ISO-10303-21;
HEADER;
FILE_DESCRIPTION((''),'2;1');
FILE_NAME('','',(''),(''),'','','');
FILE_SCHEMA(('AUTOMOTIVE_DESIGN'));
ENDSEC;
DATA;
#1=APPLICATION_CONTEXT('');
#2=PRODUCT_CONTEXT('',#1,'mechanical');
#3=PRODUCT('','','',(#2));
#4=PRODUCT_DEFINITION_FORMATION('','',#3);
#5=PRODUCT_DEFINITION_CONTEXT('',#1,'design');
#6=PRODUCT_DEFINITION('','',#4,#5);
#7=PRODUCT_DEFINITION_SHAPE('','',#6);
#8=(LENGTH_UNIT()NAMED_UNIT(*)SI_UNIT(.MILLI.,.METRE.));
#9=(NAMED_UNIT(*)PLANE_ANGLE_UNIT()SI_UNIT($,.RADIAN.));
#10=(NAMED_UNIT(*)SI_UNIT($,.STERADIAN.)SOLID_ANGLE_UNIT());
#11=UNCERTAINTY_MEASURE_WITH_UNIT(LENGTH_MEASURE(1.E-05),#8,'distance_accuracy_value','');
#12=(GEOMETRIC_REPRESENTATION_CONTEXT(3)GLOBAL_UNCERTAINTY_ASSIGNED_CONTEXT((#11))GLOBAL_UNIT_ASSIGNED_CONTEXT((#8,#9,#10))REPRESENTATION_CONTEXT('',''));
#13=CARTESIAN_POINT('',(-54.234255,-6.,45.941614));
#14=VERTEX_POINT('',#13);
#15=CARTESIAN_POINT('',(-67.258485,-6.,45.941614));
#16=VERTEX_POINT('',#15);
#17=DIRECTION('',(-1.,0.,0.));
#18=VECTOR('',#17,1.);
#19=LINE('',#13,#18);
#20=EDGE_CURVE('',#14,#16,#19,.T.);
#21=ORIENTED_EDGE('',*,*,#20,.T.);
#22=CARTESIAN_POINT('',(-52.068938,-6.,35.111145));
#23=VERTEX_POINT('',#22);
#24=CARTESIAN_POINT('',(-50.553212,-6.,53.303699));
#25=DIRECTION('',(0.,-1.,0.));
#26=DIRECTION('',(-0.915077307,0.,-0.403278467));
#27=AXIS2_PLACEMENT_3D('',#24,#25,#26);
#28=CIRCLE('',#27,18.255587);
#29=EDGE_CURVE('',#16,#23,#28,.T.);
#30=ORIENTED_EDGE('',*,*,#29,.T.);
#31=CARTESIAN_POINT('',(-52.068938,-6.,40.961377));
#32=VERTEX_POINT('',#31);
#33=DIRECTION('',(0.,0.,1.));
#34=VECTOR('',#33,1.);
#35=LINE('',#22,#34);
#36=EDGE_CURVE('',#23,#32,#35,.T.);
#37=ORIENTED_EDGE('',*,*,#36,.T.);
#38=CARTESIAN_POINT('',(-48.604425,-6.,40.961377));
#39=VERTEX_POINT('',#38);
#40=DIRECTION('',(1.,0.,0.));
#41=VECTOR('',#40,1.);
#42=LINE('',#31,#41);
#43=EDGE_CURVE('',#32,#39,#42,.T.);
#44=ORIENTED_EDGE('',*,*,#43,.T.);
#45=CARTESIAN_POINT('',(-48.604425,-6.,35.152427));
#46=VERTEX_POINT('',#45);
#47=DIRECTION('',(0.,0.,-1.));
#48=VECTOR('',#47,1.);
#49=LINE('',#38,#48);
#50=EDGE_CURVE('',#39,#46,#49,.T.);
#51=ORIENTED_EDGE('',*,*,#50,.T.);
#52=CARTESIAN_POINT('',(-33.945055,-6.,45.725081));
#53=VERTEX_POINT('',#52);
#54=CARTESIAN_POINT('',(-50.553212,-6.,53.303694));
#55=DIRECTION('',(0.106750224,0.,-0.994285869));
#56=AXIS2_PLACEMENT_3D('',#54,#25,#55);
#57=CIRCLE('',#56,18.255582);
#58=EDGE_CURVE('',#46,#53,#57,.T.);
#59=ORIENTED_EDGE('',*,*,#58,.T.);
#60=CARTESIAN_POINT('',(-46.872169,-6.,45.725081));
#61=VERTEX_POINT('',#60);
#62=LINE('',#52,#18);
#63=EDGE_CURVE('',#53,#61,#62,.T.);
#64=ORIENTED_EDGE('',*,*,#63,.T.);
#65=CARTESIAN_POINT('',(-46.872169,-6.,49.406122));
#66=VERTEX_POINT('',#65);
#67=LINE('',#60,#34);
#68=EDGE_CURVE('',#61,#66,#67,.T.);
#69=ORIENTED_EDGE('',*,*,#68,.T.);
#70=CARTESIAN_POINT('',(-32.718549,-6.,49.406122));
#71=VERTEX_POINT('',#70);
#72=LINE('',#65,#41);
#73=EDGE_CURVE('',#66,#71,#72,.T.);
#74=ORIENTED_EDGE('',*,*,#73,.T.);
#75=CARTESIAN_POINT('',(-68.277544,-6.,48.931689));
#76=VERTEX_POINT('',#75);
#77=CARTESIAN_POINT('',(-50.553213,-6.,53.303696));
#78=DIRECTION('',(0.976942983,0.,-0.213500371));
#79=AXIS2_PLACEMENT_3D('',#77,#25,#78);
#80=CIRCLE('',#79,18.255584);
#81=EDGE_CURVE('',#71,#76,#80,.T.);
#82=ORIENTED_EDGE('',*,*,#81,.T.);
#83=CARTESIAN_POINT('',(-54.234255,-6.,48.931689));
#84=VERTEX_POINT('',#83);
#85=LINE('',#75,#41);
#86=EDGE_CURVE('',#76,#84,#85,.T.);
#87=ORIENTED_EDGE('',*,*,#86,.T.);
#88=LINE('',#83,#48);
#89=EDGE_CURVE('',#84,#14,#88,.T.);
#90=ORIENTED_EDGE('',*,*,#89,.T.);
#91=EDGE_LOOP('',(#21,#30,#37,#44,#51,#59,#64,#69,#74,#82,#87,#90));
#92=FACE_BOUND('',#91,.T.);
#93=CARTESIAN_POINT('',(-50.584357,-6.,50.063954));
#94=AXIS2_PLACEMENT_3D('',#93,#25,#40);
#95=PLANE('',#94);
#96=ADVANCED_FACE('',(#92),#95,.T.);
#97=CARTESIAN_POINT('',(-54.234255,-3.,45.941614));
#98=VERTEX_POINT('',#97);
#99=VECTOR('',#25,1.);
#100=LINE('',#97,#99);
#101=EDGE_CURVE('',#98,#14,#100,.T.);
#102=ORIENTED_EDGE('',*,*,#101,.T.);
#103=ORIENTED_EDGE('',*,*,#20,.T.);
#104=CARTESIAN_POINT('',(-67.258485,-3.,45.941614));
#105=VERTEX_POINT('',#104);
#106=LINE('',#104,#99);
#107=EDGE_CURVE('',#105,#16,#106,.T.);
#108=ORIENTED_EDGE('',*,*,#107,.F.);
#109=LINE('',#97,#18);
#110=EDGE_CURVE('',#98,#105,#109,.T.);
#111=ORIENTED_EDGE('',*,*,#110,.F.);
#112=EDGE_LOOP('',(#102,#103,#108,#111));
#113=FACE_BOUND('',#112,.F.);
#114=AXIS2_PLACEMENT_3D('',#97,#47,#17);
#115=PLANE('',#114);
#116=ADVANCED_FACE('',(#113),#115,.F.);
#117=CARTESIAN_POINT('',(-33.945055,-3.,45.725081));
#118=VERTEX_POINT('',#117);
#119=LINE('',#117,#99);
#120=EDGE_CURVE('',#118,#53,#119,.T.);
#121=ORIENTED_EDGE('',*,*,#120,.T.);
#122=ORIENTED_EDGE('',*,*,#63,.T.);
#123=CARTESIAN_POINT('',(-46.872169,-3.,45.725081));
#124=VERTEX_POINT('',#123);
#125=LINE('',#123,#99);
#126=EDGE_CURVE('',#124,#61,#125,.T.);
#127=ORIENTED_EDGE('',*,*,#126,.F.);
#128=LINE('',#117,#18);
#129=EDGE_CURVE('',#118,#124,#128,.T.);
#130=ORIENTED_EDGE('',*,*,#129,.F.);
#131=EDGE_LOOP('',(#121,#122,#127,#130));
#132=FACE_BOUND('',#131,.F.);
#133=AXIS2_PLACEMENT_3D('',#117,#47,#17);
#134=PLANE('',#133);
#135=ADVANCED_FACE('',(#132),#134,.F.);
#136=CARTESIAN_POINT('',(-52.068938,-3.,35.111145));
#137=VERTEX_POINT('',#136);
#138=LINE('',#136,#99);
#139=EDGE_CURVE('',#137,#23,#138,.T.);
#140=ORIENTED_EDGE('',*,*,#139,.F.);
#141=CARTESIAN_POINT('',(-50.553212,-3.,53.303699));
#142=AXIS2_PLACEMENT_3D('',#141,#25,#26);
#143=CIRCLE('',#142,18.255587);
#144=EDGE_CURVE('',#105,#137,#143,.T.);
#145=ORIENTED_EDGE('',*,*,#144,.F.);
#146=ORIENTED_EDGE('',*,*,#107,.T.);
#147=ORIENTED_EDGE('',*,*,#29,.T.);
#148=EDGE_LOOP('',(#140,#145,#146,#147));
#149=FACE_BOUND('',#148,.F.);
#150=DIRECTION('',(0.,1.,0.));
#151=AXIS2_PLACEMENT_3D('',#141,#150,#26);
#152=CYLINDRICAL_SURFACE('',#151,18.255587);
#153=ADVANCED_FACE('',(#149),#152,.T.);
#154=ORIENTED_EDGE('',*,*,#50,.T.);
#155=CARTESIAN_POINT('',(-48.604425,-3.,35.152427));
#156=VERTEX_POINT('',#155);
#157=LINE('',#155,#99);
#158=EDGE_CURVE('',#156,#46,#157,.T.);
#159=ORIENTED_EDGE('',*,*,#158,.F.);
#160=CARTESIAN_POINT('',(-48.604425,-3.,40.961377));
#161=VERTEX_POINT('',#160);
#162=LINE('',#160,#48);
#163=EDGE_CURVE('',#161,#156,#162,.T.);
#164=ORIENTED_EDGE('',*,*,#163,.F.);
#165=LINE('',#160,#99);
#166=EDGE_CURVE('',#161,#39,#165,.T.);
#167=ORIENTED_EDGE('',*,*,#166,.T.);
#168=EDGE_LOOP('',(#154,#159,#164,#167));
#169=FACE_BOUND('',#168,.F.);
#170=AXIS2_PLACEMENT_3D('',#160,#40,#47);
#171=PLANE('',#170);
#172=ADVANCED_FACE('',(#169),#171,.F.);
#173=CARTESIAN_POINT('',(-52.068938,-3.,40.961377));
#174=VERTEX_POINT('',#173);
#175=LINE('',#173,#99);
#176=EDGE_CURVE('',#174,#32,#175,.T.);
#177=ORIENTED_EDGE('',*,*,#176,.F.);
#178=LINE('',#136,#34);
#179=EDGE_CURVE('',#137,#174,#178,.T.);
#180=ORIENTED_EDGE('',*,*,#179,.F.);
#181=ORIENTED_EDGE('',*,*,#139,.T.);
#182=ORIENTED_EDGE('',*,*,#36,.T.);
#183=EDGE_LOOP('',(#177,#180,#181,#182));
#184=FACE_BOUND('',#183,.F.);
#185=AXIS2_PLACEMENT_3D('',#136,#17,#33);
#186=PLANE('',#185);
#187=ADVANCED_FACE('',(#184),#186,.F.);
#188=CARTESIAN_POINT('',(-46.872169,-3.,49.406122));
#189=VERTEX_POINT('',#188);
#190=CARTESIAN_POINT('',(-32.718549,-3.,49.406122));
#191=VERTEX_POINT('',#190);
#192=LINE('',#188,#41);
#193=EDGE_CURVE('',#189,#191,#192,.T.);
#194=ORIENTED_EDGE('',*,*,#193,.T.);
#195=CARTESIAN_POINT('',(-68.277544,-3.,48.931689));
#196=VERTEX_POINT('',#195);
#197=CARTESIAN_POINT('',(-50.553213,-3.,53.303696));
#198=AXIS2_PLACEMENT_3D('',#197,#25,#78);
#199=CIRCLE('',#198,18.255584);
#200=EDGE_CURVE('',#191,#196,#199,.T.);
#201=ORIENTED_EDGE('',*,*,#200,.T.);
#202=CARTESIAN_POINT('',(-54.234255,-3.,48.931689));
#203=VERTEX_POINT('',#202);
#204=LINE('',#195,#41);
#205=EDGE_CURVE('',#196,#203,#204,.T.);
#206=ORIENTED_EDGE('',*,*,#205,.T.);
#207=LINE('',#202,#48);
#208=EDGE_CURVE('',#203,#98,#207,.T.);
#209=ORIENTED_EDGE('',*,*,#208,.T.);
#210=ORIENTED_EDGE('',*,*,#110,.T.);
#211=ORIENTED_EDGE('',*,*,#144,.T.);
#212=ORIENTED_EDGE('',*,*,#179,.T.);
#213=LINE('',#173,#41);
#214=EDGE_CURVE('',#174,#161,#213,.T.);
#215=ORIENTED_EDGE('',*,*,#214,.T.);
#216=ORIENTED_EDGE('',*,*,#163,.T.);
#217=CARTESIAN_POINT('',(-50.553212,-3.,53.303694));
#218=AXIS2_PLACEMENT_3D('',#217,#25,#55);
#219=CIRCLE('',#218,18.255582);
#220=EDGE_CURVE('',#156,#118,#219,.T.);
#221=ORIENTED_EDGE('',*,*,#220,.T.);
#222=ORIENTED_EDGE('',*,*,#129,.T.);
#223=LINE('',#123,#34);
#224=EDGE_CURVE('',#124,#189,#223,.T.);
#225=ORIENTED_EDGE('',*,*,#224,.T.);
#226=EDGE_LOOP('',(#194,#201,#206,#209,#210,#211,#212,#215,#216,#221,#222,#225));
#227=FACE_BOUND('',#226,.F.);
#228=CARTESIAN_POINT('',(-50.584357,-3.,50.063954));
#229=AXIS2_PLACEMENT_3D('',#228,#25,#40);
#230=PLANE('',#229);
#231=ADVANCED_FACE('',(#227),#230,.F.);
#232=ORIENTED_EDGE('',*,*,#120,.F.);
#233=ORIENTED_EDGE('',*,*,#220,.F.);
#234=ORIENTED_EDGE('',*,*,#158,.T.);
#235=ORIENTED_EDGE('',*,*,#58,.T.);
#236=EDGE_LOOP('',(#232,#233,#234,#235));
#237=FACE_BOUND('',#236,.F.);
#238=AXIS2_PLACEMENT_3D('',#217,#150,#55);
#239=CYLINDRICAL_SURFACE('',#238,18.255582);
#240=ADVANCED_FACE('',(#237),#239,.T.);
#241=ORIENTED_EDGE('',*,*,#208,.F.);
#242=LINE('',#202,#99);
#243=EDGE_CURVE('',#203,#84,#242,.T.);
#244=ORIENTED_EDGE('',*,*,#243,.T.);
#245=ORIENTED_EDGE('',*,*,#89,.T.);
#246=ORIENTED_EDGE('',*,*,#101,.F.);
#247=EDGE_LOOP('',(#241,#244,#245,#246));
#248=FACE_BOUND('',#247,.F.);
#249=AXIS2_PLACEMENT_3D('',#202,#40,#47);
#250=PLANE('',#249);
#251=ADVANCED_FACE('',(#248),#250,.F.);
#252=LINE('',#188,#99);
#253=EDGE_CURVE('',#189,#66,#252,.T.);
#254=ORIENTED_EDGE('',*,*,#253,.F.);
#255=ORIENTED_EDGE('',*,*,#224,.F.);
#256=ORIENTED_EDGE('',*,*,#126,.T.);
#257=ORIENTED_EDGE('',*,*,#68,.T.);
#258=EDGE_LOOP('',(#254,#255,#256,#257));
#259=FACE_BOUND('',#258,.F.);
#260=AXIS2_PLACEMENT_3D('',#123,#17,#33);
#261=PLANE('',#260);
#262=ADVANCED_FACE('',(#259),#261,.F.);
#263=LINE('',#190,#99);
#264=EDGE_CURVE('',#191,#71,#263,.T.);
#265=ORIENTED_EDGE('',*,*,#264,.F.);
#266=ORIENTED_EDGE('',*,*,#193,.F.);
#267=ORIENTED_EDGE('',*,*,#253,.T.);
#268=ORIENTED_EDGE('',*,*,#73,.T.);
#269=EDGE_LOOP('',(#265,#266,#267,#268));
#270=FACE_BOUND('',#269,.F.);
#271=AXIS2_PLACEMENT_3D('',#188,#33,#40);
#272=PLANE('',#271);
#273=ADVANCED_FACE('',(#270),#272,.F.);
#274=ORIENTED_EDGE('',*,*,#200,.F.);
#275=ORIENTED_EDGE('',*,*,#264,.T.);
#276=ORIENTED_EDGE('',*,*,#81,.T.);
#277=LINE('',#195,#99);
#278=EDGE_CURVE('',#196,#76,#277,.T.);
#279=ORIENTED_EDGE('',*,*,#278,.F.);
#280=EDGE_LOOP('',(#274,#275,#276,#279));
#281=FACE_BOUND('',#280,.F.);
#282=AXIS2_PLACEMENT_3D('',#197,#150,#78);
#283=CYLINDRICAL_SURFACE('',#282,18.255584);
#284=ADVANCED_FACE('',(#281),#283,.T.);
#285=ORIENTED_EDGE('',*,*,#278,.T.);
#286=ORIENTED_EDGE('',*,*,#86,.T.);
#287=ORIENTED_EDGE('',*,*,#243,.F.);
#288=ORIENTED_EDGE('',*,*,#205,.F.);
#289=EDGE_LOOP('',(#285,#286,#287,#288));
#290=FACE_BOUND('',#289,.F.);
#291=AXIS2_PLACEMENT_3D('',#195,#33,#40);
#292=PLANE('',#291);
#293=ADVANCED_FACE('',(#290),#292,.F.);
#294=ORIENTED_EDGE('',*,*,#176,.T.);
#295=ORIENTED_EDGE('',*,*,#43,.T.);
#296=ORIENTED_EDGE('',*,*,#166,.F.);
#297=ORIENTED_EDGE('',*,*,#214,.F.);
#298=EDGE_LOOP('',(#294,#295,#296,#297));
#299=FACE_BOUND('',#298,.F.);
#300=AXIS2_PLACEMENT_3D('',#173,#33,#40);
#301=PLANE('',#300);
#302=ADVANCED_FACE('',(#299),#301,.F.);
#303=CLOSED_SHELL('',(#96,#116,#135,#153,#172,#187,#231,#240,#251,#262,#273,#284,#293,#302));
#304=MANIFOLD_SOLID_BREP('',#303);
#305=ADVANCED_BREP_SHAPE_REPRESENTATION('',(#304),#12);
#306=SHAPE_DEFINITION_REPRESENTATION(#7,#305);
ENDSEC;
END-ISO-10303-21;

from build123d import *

# Parameters (mm, degrees)
F2_DEPTH = 3
F4_DEPTH = 3


with BuildPart() as f2:
    # F1 (on face) → F2 (new body)
    with BuildSketch(Plane.XZ):
        with BuildLine():
            Line((-1.32116, -5.919504), (-1.32116, -8.640318))
            Line((-1.32116, -8.640318), (-17.590988, -8.640318))
            ThreePointArc((-17.590988, -8.640318), (0, -19.945099), (17.590988, -8.640318))
            Line((17.590988, -8.640318), (1.10096, -8.640318))
            Line((1.10096, -8.640318), (1.10096, -5.919504))
            Line((1.10096, -5.919504), (18.594568, -5.919504))
            ThreePointArc((18.594568, -5.919504), (0, 18.732423), (-18.594568, -5.919504))
            Line((-18.594568, -5.919504), (-18.539109, -5.919504))
            Line((-18.539109, -5.919504), (-1.32116, -5.919504))
        make_face()
    extrude(amount=F2_DEPTH)


with BuildPart() as f4:
    # F3 (on face) → F4 (new body)
    with BuildSketch(Plane.XZ.offset(3)):
        with BuildLine():
            Line((-54.234255, 45.941614), (-67.258485, 45.941614))
            ThreePointArc((-67.258485, 45.941614), (-61.151606, 38.439632), (-52.068938, 35.111145))
            Line((-52.068938, 35.111145), (-52.068938, 40.961377))
            Line((-52.068938, 40.961377), (-48.604425, 40.961377))
            Line((-48.604425, 40.961377), (-48.604425, 35.152427))
            ThreePointArc((-48.604425, 35.152427), (-39.874481, 38.497244), (-33.945055, 45.725081))
            Line((-33.945055, 45.725081), (-46.872169, 45.725081))
            Line((-46.872169, 45.725081), (-46.872169, 49.406122))
            Line((-46.872169, 49.406122), (-32.718549, 49.406122))
            ThreePointArc((-32.718549, 49.406122), (-50.796761, 71.557655), (-68.277544, 48.931689))
            Line((-68.277544, 48.931689), (-54.234255, 48.931689))
            Line((-54.234255, 48.931689), (-54.234255, 45.941614))
        make_face()
    extrude(amount=F4_DEPTH)


solid = f4.part
